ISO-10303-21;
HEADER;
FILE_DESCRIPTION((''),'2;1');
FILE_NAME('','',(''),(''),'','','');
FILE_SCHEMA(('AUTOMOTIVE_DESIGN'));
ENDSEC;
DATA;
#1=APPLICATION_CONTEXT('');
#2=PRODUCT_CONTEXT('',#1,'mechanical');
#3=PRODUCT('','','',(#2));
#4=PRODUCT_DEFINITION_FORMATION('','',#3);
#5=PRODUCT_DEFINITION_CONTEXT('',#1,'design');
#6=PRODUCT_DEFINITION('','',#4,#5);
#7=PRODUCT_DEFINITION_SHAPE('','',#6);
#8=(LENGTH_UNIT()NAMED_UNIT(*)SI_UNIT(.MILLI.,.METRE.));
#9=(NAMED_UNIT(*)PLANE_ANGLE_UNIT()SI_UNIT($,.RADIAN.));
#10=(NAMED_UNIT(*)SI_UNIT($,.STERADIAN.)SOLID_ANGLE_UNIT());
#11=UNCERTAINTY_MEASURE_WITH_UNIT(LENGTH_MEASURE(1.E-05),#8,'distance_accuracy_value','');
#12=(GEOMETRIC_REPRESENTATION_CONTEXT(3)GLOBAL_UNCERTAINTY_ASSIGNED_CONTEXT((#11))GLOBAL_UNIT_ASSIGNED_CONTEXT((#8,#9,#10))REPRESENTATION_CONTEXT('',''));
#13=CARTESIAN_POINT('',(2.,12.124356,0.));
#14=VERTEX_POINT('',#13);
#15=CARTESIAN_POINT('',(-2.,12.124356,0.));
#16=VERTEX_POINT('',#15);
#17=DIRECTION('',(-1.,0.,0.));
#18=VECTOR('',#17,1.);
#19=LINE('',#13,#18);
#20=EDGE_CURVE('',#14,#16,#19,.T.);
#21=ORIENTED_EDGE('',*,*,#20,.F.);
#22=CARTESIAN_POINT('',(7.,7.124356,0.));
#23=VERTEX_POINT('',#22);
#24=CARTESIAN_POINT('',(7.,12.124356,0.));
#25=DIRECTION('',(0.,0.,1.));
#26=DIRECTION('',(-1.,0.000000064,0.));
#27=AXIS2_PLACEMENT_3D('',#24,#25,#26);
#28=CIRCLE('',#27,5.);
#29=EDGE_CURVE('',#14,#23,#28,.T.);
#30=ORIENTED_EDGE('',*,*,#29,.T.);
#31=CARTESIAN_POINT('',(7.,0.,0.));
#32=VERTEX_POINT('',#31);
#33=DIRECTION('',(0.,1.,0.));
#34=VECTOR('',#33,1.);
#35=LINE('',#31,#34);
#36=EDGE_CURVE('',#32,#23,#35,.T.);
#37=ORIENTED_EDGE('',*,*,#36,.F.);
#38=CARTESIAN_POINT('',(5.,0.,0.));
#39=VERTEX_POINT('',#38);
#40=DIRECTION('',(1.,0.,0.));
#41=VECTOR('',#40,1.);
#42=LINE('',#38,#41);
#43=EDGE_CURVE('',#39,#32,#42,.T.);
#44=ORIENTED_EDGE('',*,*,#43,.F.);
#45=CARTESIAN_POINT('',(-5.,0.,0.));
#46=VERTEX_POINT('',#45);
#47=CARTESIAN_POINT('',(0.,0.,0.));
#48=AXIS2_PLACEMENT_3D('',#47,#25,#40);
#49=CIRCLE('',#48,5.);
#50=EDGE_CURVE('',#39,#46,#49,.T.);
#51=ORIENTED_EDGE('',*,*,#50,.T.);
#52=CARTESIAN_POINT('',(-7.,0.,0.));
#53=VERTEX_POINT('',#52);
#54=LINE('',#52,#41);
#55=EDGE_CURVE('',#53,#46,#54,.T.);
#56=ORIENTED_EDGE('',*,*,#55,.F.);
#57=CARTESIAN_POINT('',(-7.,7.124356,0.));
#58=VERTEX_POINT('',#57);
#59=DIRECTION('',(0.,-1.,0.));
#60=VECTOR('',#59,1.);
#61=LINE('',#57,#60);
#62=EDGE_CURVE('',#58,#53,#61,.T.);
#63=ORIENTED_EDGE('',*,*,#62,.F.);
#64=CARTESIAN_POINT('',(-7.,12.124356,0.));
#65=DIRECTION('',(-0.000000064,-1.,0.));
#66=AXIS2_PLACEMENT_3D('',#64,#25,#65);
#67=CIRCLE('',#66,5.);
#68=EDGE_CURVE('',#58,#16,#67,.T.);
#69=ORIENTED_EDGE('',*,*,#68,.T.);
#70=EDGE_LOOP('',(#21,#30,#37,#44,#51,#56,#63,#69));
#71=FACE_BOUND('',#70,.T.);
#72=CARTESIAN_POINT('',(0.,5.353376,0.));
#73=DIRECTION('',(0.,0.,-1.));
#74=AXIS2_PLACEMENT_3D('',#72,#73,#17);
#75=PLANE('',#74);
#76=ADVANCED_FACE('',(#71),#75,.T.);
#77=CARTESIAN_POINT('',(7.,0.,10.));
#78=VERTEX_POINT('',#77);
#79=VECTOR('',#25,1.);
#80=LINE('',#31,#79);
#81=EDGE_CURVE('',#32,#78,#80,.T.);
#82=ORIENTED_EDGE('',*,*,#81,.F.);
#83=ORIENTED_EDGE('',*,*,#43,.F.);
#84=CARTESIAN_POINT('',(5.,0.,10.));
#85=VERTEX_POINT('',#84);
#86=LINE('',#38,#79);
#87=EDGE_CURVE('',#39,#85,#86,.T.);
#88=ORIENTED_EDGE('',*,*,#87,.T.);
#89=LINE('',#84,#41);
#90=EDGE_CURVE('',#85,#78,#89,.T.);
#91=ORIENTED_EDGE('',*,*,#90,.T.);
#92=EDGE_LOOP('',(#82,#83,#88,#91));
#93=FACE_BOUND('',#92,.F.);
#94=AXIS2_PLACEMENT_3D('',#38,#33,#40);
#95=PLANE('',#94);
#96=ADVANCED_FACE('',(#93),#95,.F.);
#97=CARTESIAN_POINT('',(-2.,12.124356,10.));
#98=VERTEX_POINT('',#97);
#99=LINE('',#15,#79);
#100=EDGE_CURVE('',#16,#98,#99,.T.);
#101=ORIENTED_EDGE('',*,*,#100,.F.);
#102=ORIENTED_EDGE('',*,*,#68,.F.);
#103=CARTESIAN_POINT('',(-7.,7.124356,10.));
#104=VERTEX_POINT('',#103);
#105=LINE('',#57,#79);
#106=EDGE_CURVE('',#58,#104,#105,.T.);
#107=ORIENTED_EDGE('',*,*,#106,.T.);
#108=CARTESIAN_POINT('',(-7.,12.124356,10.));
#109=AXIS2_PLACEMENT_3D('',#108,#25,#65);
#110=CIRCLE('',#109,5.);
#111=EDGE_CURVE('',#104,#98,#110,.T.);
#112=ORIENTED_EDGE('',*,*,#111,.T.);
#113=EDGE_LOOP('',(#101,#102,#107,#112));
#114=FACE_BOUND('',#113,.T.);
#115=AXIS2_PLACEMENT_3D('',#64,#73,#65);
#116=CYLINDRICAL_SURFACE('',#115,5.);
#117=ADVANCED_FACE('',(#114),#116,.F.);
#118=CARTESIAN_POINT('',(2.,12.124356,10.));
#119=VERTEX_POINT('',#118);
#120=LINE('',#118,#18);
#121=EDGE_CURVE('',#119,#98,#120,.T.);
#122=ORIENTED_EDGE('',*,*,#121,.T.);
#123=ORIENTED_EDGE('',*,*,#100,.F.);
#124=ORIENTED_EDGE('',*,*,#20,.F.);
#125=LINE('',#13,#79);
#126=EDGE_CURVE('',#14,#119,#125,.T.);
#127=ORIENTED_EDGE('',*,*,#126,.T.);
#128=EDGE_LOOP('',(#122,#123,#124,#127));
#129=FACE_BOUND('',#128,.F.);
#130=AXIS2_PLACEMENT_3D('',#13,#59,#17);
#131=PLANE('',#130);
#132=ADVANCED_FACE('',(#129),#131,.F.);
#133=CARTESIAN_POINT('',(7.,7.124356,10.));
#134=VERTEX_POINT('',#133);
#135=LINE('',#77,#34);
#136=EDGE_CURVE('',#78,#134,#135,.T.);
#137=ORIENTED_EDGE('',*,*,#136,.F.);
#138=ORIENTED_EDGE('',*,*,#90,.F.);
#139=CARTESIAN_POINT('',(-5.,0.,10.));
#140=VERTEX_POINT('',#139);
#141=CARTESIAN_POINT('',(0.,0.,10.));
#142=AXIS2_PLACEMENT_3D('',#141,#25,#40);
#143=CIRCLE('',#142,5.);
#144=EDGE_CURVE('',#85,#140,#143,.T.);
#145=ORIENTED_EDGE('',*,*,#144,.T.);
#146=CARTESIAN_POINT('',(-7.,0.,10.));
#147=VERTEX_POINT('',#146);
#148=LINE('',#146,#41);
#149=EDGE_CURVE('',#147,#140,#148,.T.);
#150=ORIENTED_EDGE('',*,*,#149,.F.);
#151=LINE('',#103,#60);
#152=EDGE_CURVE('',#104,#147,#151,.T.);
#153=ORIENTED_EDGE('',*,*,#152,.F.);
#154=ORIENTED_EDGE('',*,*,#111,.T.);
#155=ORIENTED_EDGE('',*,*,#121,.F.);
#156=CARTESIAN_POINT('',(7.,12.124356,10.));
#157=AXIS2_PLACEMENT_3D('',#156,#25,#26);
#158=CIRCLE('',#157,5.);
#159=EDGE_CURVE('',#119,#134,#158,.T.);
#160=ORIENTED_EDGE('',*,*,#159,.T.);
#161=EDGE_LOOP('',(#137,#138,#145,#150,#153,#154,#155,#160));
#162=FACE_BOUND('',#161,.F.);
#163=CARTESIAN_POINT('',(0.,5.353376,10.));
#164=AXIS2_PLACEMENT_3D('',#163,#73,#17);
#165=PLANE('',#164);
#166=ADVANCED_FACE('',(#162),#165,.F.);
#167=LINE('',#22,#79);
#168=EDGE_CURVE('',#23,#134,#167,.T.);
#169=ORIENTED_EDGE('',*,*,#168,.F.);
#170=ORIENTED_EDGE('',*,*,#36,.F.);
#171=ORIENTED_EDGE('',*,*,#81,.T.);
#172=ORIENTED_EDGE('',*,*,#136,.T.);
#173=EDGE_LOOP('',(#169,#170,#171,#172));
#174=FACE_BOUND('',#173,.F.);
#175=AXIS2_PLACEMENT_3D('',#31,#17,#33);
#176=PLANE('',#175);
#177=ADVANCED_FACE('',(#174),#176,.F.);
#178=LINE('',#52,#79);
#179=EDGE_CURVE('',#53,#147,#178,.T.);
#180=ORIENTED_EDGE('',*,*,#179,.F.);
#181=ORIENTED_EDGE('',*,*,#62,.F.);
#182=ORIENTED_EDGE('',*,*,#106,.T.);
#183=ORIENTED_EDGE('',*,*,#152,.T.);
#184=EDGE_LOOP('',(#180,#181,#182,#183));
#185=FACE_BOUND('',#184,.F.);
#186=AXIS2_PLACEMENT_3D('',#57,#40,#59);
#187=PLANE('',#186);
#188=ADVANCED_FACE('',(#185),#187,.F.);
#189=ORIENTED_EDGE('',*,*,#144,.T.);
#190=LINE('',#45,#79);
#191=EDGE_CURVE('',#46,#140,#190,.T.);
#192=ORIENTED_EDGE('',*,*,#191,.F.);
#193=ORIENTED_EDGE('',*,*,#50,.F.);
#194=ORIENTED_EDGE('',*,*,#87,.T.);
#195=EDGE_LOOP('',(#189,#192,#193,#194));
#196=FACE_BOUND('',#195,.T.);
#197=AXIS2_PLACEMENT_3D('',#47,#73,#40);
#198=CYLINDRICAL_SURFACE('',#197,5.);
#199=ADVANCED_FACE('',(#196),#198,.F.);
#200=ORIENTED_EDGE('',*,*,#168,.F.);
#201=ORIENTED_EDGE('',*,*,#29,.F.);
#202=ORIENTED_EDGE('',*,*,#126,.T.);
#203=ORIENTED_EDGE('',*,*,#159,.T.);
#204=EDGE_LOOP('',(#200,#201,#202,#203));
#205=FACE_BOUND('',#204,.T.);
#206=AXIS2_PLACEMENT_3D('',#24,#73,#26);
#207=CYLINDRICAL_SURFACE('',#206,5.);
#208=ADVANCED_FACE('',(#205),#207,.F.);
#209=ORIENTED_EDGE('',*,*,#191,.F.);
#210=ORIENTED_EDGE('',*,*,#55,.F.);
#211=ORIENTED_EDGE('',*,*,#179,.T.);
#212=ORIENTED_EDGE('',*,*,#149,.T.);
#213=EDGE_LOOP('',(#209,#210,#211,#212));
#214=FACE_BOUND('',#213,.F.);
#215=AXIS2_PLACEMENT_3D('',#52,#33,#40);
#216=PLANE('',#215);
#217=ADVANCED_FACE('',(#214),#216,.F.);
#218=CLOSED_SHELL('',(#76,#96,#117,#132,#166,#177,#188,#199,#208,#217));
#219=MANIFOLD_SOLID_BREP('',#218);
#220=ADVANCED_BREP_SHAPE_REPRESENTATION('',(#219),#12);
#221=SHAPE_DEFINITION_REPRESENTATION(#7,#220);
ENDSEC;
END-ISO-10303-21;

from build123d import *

# Parameters (mm, degrees)
PAD_DEPTH = 10


with BuildPart() as part:
    # Sketch → Pad (new body)
    with BuildSketch(Plane.XY):
        with BuildLine():
            ThreePointArc((5, 0), (0, 5), (-5, 0))
            Line((-7, 0), (-5, 0))
            Line((-7, 7.124356), (-7, 0))
            ThreePointArc((-7, 7.124356), (-3.464466, 8.588822), (-2, 12.124356))
            Line((2, 12.124356), (-2, 12.124356))
            ThreePointArc((2, 12.124356), (3.464466, 8.588822), (7, 7.124356))
            Line((7, 0), (7, 7.124356))
            Line((5, 0), (7, 0))
        make_face()
    extrude(amount=PAD_DEPTH)


solid = part.part
